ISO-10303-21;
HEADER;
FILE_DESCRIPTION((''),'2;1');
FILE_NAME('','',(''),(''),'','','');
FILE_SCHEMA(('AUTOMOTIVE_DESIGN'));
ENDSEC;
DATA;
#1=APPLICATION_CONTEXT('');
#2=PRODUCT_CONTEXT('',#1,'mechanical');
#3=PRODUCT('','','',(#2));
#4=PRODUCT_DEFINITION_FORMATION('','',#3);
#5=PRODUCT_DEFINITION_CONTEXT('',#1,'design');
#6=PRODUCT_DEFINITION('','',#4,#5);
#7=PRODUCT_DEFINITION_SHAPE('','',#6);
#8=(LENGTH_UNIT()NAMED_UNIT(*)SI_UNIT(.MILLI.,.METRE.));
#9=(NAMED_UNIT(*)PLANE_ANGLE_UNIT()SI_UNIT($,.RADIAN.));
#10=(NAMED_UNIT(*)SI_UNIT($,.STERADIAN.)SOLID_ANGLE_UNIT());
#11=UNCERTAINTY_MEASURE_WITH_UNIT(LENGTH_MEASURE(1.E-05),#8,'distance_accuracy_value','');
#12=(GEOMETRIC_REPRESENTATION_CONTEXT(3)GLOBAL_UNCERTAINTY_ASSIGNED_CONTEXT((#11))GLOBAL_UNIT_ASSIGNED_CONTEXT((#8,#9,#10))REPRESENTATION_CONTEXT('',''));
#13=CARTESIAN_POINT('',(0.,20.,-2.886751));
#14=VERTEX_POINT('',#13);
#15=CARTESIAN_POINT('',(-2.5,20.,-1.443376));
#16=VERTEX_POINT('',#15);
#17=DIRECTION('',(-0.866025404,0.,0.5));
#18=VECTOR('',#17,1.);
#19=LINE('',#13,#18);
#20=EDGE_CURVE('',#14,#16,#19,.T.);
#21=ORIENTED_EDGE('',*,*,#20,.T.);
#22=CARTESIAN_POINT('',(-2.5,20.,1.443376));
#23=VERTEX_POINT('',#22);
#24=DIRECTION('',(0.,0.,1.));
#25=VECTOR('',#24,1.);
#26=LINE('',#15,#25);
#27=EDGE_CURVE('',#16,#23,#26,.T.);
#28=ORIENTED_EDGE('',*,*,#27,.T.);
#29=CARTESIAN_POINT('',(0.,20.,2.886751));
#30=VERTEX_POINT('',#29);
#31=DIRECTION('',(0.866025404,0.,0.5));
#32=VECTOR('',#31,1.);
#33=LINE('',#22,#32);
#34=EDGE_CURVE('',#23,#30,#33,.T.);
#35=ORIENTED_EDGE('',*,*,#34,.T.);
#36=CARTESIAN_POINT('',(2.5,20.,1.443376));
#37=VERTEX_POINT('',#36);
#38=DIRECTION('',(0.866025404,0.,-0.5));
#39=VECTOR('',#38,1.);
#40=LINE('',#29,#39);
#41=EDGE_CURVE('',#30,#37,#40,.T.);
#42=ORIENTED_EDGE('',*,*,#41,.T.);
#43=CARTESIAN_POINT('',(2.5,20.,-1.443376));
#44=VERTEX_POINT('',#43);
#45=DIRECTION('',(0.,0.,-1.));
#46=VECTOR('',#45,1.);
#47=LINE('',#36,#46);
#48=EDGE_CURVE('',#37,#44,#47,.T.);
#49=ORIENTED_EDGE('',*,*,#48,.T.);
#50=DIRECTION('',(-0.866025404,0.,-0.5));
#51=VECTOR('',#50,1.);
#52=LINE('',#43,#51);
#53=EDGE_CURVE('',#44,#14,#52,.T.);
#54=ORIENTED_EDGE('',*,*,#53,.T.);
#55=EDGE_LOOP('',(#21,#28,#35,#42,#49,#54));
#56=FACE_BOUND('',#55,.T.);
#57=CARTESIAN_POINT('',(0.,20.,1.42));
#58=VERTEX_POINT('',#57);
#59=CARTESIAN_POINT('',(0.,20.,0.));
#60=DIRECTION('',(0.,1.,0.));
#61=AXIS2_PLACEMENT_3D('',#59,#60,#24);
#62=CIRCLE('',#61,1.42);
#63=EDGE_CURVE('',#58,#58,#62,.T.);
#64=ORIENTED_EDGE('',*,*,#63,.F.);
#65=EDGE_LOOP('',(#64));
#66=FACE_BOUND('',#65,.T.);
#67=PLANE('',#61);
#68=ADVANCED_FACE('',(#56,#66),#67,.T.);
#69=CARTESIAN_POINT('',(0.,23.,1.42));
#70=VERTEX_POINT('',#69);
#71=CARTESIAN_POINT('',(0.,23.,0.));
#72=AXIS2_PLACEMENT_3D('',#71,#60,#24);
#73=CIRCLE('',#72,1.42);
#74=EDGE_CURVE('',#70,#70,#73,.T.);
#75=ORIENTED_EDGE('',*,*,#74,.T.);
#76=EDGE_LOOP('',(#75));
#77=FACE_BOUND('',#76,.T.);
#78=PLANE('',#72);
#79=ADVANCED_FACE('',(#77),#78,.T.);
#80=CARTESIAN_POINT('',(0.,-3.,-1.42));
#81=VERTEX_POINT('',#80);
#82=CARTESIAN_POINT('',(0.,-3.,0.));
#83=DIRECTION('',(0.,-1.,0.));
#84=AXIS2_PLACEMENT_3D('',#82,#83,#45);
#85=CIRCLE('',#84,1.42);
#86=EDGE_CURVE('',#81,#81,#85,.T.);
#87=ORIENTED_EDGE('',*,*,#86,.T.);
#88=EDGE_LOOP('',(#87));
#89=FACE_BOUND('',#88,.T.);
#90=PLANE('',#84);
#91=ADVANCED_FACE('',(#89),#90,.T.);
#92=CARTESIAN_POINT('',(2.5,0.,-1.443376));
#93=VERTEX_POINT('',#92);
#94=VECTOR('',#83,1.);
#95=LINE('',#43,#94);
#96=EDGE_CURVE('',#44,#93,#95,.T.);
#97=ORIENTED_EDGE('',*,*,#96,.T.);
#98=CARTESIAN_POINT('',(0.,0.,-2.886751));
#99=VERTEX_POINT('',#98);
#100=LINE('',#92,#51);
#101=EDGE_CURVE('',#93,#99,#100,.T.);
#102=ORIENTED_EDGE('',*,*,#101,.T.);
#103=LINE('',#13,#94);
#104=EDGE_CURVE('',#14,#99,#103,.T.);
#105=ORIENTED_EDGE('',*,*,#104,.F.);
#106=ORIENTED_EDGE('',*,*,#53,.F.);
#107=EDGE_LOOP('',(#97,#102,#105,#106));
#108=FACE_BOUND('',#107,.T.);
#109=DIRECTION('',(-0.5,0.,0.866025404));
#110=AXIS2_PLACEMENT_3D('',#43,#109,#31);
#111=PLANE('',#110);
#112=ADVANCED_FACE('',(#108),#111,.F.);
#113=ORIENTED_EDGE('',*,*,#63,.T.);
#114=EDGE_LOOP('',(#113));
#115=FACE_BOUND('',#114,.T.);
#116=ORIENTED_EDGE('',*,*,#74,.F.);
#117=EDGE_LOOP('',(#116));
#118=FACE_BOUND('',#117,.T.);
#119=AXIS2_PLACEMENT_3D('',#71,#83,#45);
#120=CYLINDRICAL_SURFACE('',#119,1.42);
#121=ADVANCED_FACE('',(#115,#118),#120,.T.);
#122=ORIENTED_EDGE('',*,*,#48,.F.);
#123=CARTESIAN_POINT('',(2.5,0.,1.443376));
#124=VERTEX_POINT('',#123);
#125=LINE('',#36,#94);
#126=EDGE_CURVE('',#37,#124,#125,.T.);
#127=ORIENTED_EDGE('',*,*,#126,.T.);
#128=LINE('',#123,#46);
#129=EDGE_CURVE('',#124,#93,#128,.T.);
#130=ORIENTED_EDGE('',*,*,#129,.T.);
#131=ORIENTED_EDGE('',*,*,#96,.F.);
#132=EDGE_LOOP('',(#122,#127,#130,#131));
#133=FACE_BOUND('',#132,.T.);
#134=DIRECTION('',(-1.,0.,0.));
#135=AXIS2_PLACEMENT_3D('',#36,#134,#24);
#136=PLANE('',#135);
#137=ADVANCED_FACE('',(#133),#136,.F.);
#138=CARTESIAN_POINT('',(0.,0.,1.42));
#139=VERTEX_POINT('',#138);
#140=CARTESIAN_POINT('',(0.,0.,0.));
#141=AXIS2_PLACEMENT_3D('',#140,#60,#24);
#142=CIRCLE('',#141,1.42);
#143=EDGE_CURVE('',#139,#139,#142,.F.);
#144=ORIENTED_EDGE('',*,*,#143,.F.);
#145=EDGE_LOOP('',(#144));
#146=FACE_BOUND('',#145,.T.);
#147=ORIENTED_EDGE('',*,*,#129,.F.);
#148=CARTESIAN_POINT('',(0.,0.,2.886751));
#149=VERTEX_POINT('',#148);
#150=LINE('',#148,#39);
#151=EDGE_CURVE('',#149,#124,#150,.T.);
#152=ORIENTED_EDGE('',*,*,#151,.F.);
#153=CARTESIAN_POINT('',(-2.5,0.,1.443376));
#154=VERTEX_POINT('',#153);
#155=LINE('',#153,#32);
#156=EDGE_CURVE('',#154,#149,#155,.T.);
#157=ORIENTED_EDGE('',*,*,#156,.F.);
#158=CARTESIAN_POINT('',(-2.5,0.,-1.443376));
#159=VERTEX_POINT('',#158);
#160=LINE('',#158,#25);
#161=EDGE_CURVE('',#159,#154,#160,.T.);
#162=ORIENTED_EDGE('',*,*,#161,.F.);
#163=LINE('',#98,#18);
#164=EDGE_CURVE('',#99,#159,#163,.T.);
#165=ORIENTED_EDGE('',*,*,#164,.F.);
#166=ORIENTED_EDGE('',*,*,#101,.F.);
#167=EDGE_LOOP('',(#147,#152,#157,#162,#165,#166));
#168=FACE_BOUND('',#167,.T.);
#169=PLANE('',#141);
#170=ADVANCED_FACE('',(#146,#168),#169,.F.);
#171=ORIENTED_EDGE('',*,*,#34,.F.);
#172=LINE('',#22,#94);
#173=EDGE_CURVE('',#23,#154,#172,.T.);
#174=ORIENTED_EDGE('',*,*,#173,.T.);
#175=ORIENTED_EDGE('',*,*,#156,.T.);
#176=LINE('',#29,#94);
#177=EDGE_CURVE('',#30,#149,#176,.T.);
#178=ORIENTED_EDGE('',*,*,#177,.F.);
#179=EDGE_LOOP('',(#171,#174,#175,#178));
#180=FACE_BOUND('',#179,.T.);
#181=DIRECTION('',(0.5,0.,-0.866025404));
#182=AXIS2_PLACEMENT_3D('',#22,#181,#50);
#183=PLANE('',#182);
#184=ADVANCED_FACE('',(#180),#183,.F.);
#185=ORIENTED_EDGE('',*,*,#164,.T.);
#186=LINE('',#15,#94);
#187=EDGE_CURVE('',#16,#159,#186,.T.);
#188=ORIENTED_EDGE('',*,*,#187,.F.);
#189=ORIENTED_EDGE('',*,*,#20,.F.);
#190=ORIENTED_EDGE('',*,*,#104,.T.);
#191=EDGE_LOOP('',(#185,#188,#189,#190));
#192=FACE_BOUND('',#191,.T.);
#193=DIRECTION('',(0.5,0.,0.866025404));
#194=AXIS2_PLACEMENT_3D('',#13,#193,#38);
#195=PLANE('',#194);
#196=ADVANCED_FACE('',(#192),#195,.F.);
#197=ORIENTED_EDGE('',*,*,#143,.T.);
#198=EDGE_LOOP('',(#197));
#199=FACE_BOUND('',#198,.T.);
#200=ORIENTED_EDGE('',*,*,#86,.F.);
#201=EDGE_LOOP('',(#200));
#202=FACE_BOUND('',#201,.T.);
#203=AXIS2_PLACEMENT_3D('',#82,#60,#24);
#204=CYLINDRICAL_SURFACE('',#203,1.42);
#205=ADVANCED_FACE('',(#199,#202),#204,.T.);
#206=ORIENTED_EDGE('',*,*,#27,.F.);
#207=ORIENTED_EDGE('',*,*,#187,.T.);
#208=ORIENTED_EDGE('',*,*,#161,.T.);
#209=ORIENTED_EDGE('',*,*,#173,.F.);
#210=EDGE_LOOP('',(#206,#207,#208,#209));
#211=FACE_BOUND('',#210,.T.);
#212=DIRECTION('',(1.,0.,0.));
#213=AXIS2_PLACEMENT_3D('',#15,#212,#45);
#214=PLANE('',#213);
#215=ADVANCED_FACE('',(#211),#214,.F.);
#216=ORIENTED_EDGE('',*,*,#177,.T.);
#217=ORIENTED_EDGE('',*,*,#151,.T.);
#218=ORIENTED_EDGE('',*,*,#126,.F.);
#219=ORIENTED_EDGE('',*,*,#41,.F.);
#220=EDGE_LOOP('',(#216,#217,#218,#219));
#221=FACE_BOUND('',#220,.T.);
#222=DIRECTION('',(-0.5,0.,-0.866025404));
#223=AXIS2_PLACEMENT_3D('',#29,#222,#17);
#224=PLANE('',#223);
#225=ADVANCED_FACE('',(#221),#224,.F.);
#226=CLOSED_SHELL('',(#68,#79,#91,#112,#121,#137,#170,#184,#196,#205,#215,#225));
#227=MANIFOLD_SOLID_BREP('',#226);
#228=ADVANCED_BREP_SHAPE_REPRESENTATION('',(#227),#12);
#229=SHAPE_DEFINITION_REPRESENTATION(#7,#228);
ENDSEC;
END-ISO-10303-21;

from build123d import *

# Parameters (mm, degrees)
BOSS_EXTRUDE1_DEPTH = 20
SKETCH2_R           = 1.42
BOSS_EXTRUDE2_DEPTH = 3
BOSS_EXTRUDE3_START = 3
SKETCH3_R           = 1.42
BOSS_EXTRUDE3_DEPTH = 3


with BuildPart() as part:
    # Sketch1 → Boss-Extrude1 (new body)
    with BuildSketch(Plane(origin=(0, 0, 0), x_dir=(1, 0, 0), z_dir=(0, 1, 0))):
        Polygon((0, 2.886751346), (-2.5, 1.443375673), (-2.5, -1.443375673), (0, -2.886751346), (2.5, -1.443375673), (2.5, 1.443375673), align=None)
    extrude(amount=BOSS_EXTRUDE1_DEPTH)

    # Sketch2 → Boss-Extrude2 (add)
    with BuildSketch(Plane(origin=(0, 20, 0), x_dir=(1, 0, 0), z_dir=(0, 1, 0))):
        with Locations(Location((0, 0, 0), (0, 0, 270))):
            Circle(SKETCH2_R)
    extrude(amount=BOSS_EXTRUDE2_DEPTH)

    # Sketch3 → Boss-Extrude3 (add)
    with BuildSketch(Plane(origin=(0, 0, 0), x_dir=(-1, 0, 0), z_dir=(0, -1, 0)).offset(BOSS_EXTRUDE3_START)):
        with Locations(Location((0, 0, 0), (0, 0, 270))):
            Circle(SKETCH3_R)
    extrude(amount=-BOSS_EXTRUDE3_DEPTH)


solid = part.part
